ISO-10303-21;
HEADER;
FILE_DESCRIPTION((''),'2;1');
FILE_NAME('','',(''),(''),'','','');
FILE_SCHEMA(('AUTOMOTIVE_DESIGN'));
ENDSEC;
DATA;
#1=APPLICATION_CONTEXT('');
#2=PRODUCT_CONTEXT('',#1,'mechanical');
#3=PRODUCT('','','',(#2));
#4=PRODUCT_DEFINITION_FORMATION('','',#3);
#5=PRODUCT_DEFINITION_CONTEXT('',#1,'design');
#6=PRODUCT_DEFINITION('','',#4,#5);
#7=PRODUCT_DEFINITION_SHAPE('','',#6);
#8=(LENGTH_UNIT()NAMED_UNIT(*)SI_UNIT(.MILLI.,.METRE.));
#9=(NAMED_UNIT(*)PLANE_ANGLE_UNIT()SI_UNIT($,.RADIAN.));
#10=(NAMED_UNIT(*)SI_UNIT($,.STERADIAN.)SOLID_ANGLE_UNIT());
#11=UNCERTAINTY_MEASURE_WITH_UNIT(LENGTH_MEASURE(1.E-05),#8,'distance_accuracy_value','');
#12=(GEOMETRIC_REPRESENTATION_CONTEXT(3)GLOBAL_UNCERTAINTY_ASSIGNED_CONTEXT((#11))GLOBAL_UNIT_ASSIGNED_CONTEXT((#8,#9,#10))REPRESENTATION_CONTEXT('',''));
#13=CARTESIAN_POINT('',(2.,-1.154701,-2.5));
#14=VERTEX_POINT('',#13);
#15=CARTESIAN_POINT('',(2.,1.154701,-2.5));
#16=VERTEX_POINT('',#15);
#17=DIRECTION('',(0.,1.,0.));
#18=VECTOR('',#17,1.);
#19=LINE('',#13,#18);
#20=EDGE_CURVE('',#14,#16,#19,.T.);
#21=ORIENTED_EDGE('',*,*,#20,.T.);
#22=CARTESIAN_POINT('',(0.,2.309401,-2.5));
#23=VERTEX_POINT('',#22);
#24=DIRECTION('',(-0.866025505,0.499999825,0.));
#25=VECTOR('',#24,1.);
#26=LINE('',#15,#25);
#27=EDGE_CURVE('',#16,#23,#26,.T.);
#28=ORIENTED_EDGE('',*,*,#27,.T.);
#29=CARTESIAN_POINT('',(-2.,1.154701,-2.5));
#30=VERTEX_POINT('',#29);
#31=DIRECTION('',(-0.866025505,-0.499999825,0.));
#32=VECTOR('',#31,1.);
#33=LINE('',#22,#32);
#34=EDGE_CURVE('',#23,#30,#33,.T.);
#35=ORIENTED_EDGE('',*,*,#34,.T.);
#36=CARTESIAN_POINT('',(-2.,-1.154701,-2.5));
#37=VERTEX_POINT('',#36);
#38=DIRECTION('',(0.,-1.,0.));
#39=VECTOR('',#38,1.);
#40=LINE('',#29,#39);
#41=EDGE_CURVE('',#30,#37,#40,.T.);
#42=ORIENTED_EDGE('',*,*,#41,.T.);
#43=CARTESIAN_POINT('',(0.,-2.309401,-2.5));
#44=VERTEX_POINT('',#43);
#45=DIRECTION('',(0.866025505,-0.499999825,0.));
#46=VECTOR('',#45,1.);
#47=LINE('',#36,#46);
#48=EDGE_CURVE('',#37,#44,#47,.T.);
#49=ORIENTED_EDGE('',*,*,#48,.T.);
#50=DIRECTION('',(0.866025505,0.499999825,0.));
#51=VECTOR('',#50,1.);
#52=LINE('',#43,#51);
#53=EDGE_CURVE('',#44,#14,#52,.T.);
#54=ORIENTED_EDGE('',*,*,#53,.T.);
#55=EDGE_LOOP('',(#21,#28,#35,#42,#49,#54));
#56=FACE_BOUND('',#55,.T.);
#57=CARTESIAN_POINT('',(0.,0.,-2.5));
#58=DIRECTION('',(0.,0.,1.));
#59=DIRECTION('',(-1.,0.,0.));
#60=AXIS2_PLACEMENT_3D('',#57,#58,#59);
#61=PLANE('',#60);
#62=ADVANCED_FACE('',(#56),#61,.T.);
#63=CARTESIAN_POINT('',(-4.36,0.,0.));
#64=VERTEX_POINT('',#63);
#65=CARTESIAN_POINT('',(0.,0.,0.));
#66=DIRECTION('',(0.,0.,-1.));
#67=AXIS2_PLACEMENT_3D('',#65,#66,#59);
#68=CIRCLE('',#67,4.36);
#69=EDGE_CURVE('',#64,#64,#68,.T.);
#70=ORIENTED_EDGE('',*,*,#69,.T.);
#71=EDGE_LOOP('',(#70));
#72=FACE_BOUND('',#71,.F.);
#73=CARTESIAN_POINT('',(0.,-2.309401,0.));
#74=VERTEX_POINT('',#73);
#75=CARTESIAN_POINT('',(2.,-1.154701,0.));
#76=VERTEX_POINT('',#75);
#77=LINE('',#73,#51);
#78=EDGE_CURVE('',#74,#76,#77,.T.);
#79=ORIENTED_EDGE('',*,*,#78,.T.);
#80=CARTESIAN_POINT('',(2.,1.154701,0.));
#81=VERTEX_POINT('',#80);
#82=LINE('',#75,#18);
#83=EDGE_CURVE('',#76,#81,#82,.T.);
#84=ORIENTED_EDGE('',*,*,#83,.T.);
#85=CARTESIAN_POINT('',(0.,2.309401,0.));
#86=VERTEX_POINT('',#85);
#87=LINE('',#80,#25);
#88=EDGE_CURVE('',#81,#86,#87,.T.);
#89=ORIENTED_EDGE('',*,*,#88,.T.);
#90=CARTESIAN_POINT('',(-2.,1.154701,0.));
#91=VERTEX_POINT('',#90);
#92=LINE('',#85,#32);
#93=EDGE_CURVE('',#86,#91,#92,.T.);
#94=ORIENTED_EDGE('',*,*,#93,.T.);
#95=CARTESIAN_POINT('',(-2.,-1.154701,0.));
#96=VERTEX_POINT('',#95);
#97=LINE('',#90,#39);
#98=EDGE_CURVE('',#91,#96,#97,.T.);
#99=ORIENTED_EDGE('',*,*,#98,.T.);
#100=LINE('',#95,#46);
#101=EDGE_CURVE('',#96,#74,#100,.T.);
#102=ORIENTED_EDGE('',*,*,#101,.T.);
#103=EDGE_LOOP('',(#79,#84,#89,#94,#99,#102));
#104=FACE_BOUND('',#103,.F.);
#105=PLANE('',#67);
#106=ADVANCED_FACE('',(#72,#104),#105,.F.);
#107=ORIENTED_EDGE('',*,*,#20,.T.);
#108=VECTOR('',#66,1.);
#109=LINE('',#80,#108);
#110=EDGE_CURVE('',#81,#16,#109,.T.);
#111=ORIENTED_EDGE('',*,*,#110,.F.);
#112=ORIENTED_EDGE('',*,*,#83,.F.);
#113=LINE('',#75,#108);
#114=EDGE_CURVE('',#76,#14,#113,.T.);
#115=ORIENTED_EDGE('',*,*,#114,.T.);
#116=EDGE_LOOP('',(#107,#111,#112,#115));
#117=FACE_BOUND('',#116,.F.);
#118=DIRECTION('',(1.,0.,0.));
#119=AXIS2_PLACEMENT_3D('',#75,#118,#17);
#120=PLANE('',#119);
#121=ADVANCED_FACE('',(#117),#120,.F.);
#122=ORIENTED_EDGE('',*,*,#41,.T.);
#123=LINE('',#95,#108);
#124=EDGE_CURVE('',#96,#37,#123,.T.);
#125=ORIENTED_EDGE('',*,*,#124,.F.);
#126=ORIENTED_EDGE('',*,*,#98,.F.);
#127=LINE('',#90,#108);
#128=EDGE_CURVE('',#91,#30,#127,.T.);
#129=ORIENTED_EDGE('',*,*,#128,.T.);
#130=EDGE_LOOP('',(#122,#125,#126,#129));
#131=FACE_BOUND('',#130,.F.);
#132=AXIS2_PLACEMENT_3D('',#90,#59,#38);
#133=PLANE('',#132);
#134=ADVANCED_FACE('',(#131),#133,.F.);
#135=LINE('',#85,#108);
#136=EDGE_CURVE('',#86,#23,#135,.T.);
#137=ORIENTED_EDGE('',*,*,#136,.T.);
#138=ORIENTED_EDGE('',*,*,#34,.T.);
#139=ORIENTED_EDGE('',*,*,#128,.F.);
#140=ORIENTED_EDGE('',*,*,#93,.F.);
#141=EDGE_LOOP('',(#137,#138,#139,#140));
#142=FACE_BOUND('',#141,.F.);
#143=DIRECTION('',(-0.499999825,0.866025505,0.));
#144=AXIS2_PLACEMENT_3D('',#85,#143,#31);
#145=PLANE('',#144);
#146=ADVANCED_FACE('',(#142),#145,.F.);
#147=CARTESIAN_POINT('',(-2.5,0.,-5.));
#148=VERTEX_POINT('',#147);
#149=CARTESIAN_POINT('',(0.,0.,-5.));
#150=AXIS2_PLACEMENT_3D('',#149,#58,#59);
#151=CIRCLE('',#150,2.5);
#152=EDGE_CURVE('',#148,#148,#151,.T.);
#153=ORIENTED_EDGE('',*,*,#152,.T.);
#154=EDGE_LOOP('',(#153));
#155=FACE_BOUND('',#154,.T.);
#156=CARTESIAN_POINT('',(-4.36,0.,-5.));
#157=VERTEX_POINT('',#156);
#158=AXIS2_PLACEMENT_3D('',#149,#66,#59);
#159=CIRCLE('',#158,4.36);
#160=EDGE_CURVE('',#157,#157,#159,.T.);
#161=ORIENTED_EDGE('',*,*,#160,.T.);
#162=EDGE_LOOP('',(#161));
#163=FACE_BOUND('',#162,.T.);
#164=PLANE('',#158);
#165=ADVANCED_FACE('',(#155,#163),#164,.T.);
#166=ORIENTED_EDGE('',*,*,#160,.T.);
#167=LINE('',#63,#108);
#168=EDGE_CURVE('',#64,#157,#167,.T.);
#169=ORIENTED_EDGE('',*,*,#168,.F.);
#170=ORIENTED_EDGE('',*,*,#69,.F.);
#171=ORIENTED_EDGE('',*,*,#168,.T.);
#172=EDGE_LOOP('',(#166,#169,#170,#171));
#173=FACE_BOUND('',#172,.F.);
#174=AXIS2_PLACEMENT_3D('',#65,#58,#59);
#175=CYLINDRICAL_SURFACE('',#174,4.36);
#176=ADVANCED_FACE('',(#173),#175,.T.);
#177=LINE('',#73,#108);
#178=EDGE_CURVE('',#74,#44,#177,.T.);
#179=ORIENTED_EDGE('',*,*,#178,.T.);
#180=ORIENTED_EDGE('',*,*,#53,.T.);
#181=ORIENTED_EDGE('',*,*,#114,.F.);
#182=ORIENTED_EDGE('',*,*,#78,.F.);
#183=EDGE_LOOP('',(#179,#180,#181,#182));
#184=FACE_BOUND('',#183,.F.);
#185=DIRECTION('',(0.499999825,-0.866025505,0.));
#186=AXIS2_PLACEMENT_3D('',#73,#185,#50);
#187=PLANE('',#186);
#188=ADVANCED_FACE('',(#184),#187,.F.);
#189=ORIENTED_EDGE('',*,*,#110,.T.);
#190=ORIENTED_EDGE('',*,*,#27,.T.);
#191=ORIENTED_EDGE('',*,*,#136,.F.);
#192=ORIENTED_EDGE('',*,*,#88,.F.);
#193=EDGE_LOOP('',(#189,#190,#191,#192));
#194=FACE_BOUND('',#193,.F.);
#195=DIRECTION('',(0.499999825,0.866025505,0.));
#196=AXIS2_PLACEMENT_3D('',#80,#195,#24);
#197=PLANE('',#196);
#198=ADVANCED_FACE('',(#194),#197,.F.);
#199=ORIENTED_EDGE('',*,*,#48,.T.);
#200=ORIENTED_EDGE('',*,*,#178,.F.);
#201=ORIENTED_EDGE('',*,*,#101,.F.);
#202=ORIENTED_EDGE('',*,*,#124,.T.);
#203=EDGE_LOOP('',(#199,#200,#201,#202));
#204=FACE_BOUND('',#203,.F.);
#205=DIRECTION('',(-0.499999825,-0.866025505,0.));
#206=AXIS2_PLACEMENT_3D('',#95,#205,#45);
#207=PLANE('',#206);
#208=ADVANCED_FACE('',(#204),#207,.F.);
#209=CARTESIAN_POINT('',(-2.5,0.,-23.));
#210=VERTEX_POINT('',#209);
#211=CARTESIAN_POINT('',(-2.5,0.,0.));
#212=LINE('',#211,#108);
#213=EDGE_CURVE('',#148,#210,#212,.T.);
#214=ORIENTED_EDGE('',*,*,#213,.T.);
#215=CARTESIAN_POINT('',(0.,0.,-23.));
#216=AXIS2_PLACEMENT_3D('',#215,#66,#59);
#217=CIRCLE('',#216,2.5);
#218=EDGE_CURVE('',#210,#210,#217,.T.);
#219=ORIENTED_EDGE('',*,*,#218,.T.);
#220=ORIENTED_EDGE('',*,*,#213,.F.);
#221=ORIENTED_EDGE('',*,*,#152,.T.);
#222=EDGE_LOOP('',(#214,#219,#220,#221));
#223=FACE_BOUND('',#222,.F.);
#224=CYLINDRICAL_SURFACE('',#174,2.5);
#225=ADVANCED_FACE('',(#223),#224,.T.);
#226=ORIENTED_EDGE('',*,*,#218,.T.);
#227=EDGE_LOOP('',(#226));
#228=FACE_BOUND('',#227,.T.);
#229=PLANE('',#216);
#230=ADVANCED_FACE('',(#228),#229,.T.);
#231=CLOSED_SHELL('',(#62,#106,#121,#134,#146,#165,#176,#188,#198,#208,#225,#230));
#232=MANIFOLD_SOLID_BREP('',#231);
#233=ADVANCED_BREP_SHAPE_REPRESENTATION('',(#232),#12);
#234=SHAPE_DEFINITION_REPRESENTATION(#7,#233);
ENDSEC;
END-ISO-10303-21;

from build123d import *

# Parameters (mm, degrees)
CYLINDER015_R                      = 2.5
CYLINDER015_DEPTH                  = 23
CYLINDER014_R                      = 4.36
CYLINDER014_DEPTH                  = 5
FUSION001018017018_PLACEMENT_ANGLE = 180
POCKET002018004_DEPTH              = 2.5


with BuildPart() as cylinder015:
    # Cylinder015 → Cylinder015 (new body)
    with BuildSketch(Plane.XY):
        Circle(CYLINDER015_R)
    extrude(amount=CYLINDER015_DEPTH)


with BuildPart() as zylinderkopfschraube_m5x18_isk:
    # Cylinder014 → Cylinder014 (new body)
    with BuildSketch(Plane.XY):
        Circle(CYLINDER014_R)
    extrude(amount=CYLINDER014_DEPTH)

    # Fusion001018017018: union Cylinder015
    add(cylinder015.part)


with BuildPart() as zylinderkopfschraube_m5x18_isk_1:
    # Fusion001018017018 placement: moved
    add(zylinderkopfschraube_m5x18_isk.part.rotate(Axis((0, 0, 0), (0, 1, 0)), FUSION001018017018_PLACEMENT_ANGLE))

    # Sketch020 → Pocket002018004 (cut)
    with BuildSketch(Plane(origin=(0, 0, 0), x_dir=(-1, 0, 0), z_dir=(0, 0, 1))):
        Polygon((2, -1.154701), (2, 1.154701), (0, 2.309401), (-2, 1.154701), (-2, -1.154701), (0, -2.309401), align=None)
    extrude(amount=-POCKET002018004_DEPTH, mode=Mode.SUBTRACT)


solid = zylinderkopfschraube_m5x18_isk_1.part
